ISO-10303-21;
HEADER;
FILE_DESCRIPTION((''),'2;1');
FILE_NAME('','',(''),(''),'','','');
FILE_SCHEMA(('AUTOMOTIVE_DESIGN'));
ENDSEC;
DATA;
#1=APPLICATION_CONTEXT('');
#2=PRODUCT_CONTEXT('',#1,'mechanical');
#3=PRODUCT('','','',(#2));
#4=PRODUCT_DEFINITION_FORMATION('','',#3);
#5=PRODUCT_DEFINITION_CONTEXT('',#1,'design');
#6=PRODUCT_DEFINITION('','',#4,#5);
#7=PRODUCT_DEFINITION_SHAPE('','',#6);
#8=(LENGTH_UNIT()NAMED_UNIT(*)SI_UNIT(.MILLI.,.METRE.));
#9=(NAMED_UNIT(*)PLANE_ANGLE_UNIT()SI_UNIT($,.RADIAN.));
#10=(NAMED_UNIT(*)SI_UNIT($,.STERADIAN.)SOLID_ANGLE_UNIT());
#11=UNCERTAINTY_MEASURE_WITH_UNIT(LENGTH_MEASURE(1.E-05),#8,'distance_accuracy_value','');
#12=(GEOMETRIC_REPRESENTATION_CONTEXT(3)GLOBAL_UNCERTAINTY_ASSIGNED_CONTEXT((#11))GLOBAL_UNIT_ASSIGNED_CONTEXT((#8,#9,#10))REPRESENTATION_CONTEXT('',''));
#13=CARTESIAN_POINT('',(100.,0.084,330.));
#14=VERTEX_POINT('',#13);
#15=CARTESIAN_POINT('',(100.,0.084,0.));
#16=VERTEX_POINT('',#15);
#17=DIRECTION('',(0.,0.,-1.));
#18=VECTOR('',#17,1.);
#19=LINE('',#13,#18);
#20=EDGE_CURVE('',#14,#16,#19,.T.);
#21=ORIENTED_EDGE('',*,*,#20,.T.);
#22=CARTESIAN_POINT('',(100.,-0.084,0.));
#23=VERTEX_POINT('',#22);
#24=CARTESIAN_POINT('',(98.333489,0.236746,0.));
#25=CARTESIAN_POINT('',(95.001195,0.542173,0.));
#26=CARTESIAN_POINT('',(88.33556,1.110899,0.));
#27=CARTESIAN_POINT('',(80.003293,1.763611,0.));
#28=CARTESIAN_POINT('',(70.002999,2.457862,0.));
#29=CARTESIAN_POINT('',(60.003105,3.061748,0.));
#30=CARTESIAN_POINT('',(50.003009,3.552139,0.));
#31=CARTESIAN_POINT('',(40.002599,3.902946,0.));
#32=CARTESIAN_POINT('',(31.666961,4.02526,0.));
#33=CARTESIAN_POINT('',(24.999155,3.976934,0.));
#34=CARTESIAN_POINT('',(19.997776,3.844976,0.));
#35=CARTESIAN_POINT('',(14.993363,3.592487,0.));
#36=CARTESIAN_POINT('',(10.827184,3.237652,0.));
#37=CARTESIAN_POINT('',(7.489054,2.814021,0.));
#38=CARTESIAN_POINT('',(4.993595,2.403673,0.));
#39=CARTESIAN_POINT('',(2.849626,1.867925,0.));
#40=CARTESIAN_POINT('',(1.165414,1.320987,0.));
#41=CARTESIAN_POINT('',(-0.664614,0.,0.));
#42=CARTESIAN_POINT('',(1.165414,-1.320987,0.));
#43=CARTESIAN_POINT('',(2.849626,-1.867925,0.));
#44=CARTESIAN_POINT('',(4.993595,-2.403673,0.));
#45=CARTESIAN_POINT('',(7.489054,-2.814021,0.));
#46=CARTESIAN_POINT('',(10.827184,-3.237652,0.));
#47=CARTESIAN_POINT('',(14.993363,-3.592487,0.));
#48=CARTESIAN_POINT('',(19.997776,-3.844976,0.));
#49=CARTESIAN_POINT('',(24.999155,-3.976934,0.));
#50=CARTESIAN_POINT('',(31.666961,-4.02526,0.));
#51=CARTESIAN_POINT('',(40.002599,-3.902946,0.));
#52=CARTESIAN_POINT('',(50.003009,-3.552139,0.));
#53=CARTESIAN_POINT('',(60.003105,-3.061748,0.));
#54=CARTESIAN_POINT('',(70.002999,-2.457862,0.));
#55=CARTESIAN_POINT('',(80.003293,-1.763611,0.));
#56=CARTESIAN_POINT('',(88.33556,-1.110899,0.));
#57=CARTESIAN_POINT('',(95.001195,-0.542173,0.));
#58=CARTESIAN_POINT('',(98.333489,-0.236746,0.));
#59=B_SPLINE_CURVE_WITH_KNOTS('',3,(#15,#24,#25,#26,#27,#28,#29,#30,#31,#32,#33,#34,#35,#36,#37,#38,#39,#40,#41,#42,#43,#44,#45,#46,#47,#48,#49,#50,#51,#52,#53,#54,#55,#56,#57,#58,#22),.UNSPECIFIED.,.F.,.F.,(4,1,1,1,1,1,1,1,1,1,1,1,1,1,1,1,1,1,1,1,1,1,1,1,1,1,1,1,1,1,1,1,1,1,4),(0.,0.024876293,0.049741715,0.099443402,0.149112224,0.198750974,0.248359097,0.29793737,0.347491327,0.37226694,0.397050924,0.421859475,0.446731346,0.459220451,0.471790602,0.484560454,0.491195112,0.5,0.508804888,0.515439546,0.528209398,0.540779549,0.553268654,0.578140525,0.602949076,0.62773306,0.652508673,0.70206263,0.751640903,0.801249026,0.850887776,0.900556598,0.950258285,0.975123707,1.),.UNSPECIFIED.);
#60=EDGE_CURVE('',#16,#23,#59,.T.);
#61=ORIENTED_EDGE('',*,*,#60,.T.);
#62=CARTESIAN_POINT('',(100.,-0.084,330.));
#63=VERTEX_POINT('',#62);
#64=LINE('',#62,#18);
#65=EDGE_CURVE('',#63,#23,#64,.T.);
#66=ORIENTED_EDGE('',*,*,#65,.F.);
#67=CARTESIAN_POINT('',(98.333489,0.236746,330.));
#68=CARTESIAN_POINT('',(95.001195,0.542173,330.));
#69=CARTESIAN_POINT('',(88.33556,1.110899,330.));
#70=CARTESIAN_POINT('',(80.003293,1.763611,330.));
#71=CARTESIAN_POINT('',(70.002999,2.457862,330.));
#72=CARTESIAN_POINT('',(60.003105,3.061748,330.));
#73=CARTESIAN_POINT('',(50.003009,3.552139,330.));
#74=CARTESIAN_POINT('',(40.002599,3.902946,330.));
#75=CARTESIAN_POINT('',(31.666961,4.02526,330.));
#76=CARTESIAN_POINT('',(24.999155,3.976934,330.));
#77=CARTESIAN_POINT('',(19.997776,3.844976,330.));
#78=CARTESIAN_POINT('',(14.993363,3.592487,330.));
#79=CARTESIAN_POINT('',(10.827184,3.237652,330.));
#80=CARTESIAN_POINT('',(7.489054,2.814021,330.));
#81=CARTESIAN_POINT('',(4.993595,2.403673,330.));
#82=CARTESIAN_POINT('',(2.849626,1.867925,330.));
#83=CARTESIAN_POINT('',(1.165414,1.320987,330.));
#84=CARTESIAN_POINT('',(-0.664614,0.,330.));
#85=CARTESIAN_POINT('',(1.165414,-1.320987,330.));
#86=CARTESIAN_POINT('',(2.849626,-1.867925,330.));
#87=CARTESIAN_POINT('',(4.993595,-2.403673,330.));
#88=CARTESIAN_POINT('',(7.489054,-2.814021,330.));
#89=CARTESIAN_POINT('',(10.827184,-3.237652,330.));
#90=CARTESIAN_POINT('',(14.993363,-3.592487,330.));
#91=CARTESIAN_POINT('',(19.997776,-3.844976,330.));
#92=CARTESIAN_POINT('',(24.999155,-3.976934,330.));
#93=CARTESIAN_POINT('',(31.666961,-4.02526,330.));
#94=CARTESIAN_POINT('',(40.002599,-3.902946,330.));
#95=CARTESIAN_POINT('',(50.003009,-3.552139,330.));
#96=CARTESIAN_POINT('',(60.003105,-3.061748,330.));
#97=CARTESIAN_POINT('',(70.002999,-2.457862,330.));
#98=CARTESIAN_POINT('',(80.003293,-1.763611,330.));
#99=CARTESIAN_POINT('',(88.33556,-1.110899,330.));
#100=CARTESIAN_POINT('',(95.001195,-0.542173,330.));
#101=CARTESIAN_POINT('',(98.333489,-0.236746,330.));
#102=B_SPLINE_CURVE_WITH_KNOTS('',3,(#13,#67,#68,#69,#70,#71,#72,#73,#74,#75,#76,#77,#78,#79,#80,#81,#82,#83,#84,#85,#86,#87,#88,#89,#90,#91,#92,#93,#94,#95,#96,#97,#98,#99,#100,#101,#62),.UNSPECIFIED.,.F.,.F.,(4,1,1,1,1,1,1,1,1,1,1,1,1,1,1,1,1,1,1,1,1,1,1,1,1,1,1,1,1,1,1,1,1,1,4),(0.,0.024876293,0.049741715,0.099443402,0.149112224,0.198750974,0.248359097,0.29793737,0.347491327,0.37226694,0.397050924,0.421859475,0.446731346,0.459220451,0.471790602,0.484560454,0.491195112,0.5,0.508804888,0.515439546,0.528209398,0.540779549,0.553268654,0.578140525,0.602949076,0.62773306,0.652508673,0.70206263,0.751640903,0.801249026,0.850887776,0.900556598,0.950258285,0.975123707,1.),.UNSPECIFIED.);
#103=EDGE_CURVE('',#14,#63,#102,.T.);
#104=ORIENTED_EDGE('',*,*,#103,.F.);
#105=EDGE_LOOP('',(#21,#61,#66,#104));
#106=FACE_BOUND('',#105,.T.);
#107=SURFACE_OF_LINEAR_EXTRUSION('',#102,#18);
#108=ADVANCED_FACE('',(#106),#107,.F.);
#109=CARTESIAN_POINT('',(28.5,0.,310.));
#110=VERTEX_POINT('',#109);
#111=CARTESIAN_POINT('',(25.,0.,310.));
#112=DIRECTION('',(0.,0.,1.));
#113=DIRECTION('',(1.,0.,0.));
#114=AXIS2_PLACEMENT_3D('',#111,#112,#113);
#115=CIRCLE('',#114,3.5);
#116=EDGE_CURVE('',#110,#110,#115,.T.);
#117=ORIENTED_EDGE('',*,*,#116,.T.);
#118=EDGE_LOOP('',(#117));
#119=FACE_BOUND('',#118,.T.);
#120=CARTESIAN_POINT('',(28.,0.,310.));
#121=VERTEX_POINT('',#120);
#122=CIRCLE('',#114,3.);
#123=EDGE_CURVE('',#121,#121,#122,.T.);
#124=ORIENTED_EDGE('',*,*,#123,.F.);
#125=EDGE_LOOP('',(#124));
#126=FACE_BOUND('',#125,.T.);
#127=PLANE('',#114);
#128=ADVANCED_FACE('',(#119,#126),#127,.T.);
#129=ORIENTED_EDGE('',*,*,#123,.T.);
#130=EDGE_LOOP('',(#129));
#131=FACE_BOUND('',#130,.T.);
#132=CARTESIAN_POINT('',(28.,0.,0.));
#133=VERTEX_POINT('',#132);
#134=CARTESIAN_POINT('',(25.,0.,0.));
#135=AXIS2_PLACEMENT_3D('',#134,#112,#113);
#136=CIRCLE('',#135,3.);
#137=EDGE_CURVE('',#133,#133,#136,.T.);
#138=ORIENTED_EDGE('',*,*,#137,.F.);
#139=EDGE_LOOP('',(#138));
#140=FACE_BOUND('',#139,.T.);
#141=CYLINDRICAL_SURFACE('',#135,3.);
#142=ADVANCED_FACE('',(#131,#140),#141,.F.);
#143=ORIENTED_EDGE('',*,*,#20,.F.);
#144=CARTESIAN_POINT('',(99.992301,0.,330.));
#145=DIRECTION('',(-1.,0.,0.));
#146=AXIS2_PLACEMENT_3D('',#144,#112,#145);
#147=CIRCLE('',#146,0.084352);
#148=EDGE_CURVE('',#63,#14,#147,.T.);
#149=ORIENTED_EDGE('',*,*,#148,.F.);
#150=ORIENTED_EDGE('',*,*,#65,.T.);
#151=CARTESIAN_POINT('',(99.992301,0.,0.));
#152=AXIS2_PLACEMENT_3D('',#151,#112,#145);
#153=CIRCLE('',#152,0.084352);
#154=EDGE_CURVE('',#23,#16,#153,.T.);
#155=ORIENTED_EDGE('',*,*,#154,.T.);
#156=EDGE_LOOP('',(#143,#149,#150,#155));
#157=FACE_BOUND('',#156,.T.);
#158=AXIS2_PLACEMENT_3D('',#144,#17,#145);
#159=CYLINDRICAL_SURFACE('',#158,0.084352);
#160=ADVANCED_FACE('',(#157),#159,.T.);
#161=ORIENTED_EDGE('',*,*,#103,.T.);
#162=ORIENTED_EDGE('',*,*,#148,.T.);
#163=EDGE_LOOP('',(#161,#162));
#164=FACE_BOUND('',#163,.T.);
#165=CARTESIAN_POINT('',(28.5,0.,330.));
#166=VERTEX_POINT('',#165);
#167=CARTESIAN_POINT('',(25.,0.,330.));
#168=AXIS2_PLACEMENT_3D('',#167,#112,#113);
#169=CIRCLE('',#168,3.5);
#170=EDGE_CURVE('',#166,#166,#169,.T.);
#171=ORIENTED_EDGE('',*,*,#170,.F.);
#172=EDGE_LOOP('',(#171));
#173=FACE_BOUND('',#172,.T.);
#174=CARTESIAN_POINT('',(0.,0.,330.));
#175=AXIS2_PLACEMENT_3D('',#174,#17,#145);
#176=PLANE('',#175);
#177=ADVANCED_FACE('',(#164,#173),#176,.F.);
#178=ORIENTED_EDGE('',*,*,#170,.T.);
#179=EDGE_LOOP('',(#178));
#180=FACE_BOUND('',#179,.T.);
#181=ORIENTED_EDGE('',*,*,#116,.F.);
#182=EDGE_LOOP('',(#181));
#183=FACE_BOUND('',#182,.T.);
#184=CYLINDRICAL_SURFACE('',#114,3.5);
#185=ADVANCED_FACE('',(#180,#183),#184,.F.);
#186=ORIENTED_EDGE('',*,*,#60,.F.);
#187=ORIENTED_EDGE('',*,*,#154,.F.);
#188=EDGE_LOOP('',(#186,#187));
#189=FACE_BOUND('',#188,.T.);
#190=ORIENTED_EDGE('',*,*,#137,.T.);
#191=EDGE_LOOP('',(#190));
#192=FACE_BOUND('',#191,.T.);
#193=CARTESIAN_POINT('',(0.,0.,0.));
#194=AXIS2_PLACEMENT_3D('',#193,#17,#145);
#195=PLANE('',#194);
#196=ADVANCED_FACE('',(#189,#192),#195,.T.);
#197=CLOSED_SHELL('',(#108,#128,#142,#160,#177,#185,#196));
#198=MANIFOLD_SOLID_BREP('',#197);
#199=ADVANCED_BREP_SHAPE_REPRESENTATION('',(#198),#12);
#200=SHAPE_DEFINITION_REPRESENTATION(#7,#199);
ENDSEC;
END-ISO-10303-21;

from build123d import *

# Parameters (mm, degrees)
ESTRUSIONE_ESTRUSIONE1_DEPTH = 330
SCHIZZO3_R                   = 3
TAGLIO_ESTRUSIONE1_DEPTH     = 345.864240767
SCHIZZO4_R                   = 3.5
SCHIZZO4_R_2                 = 3
TAGLIO_ESTRUSIONE2_DEPTH     = 20


with BuildPart() as part:
    # Schizzo2 → Estrusione-Estrusione1 (new body)
    with BuildSketch(Plane.XY):
        with BuildLine():
            ThreePointArc((100, 0.084), (100.076652959, 0), (100, -0.084))
            add(Edge.make_bspline(
                [(100, 0.084), (98.333488815, 0.23674648), (95.001194725, 0.542172689), (88.335559621, 1.11089898), (80.003293356, 1.763610995), (70.002998933, 2.457861693), (60.003104625, 3.061747723), (50.003008601, 3.552139212), (40.002598558, 3.902946494), (31.666961486, 4.025260151), (24.9991546, 3.976933791), (19.997775587, 3.844976398), (14.993363131, 3.592486959), (10.827184065, 3.237651579), (7.489054388, 2.814021367), (4.99359465, 2.403673059), (2.84962634, 1.867925494), (1.165413503, 1.320987252), (-0.664613784, 0), (1.165413503, -1.320987252), (2.84962634, -1.867925494), (4.99359465, -2.403673059), (7.489054388, -2.814021367), (10.827184065, -3.237651579), (14.993363131, -3.592486959), (19.997775587, -3.844976398), (24.9991546, -3.976933791), (31.666961486, -4.025260151), (40.002598558, -3.902946494), (50.003008601, -3.552139212), (60.003104625, -3.061747723), (70.002998933, -2.457861693), (80.003293356, -1.763610995), (88.335559621, -1.11089898), (95.001194725, -0.542172689), (98.333488815, -0.23674648), (100, -0.084)],
                knots=[0, 0, 0, 0, 0.024876293, 0.049741715, 0.099443402, 0.149112224, 0.198750974, 0.248359097, 0.29793737, 0.347491327, 0.37226694, 0.397050924, 0.421859475, 0.446731346, 0.459220451, 0.471790602, 0.484560454, 0.491195112, 0.5, 0.508804888, 0.515439546, 0.528209398, 0.540779549, 0.553268654, 0.578140525, 0.602949076, 0.62773306, 0.652508673, 0.70206263, 0.751640903, 0.801249026, 0.850887776, 0.900556598, 0.950258285, 0.975123707, 1, 1, 1, 1], degree=3))
        make_face()
    extrude(amount=ESTRUSIONE_ESTRUSIONE1_DEPTH)

    # Schizzo3 → Taglio-Estrusione1 (cut, through all)
    with BuildSketch(Plane.XY.offset(330)):
        with Locations((25, 0)):
            Circle(SCHIZZO3_R)
    extrude(amount=-TAGLIO_ESTRUSIONE1_DEPTH, mode=Mode.SUBTRACT)

    # Schizzo4 → Taglio-Estrusione2 (cut)
    with BuildSketch(Plane.XY.offset(330)):
        with Locations((25, 0)):
            Circle(SCHIZZO4_R)
        with Locations((25, 0)):
            Circle(SCHIZZO4_R_2, mode=Mode.SUBTRACT)
    extrude(amount=-TAGLIO_ESTRUSIONE2_DEPTH, mode=Mode.SUBTRACT)


solid = part.part
